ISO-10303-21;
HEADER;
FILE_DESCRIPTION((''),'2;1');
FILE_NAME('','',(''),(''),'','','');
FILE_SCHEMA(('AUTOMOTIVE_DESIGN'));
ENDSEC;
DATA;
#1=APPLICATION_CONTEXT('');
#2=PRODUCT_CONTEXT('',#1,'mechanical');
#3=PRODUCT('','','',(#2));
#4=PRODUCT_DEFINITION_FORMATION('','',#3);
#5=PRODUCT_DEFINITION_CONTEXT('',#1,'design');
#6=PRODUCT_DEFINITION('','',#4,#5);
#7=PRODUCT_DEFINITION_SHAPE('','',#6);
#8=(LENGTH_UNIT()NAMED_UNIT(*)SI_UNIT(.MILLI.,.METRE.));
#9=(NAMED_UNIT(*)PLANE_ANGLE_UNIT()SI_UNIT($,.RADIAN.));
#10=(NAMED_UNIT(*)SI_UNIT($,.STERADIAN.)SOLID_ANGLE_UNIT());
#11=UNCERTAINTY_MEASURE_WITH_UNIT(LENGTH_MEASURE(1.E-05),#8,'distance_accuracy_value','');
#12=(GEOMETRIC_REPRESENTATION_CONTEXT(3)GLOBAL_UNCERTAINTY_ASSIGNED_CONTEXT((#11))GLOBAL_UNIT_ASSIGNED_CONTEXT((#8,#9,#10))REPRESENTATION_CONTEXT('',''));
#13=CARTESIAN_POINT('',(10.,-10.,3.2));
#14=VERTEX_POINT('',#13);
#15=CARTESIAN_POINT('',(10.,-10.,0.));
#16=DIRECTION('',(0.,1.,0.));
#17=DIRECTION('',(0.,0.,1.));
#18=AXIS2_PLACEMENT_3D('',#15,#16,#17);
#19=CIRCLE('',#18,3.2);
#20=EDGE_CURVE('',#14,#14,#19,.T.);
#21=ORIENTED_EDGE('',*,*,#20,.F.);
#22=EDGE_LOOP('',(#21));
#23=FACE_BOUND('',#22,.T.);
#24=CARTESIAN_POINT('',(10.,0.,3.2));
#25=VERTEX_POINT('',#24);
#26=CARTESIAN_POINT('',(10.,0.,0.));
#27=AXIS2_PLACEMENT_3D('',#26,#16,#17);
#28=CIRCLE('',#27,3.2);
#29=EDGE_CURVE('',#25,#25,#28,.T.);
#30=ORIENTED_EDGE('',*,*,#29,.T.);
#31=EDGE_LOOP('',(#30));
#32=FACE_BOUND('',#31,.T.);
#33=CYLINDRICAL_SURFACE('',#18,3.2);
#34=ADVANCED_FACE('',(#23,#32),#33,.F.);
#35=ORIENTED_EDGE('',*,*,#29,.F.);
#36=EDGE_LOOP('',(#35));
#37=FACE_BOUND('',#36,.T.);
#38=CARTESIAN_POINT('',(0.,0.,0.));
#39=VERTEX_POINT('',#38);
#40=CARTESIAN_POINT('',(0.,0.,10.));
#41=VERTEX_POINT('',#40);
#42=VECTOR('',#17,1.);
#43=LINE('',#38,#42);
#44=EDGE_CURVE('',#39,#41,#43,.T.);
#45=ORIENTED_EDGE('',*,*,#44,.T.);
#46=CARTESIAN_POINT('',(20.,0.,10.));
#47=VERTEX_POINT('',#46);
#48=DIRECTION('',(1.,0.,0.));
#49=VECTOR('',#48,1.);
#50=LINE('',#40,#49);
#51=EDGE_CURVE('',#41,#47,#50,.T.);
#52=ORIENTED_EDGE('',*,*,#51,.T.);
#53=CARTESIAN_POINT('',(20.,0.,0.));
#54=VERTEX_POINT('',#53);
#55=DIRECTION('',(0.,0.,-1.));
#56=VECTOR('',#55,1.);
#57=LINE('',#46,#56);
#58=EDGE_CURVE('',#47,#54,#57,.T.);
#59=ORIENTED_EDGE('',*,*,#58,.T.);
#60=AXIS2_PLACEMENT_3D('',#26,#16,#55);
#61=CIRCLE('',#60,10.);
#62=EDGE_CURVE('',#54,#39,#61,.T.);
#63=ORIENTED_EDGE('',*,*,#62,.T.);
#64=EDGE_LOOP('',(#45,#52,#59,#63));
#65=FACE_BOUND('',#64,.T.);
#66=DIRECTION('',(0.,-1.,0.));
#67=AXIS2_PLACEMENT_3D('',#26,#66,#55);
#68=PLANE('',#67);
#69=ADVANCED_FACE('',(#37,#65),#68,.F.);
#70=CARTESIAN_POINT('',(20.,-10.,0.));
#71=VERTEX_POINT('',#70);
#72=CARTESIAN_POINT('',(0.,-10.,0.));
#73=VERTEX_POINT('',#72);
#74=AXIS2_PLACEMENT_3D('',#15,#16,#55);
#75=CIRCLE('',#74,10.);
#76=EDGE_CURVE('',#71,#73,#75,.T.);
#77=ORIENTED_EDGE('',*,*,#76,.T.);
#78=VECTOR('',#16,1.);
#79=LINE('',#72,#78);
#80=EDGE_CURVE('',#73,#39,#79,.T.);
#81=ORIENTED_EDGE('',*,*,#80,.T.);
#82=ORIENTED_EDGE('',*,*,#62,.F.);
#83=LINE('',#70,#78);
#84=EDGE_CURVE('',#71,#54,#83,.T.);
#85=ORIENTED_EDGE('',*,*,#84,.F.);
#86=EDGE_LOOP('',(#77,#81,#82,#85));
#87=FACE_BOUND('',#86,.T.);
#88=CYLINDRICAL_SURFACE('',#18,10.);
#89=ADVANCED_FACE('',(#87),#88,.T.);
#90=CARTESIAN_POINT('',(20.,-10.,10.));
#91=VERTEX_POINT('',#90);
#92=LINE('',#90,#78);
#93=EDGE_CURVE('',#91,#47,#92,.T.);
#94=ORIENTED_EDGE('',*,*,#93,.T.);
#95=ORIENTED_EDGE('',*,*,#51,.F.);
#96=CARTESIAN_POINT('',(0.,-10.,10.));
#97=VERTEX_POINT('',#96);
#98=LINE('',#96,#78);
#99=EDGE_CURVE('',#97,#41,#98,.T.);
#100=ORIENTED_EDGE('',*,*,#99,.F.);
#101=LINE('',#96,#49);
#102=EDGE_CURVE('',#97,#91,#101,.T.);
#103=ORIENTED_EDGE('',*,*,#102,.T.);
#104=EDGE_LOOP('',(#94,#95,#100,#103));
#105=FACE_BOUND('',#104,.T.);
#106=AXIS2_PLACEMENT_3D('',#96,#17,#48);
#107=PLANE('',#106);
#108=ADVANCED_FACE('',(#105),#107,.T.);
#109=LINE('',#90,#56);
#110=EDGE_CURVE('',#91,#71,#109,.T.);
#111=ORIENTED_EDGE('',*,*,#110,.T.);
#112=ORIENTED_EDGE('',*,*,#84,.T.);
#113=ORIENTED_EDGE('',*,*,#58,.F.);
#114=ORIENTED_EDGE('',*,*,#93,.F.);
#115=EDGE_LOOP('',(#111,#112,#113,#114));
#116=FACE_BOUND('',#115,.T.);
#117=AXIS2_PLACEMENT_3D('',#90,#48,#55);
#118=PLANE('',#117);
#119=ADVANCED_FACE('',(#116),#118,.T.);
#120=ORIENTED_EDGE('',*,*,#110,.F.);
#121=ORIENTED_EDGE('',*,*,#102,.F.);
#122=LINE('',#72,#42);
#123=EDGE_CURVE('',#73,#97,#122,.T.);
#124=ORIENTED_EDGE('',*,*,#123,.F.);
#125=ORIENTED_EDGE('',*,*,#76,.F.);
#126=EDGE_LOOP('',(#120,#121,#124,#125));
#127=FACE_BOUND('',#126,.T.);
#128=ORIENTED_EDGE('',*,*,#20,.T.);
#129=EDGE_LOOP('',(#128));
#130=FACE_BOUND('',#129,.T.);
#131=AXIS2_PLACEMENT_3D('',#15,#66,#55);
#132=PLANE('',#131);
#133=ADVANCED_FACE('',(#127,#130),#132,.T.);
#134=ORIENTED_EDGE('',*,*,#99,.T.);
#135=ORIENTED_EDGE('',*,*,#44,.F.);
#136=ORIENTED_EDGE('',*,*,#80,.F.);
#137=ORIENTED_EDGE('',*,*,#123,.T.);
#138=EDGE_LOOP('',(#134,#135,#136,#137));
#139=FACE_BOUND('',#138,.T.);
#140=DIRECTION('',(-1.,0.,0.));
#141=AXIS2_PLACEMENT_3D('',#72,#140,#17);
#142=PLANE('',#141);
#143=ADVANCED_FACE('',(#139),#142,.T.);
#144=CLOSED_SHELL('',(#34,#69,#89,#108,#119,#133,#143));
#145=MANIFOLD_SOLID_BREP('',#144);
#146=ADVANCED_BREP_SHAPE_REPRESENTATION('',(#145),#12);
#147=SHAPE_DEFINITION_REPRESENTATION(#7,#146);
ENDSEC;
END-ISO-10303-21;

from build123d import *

# Parameters (mm, degrees)
SKETCH1_R           = 3.2
BOSS_EXTRUDE1_DEPTH = 10


with BuildPart() as part:
    # Sketch1 → Boss-Extrude1 (new body)
    with BuildSketch(Plane(origin=(0, 0, 0), x_dir=(1, 0, 0), z_dir=(0, 1, 0))):
        with BuildLine():
            Line((0, 0), (0, -10))
            Line((0, -10), (20, -10))
            Line((20, -10), (20, 0))
            ThreePointArc((20, 0), (10, 10), (0, 0))
        make_face()
        with Locations((10, 0)):
            Circle(SKETCH1_R, mode=Mode.SUBTRACT)
    extrude(amount=-BOSS_EXTRUDE1_DEPTH)


solid = part.part
